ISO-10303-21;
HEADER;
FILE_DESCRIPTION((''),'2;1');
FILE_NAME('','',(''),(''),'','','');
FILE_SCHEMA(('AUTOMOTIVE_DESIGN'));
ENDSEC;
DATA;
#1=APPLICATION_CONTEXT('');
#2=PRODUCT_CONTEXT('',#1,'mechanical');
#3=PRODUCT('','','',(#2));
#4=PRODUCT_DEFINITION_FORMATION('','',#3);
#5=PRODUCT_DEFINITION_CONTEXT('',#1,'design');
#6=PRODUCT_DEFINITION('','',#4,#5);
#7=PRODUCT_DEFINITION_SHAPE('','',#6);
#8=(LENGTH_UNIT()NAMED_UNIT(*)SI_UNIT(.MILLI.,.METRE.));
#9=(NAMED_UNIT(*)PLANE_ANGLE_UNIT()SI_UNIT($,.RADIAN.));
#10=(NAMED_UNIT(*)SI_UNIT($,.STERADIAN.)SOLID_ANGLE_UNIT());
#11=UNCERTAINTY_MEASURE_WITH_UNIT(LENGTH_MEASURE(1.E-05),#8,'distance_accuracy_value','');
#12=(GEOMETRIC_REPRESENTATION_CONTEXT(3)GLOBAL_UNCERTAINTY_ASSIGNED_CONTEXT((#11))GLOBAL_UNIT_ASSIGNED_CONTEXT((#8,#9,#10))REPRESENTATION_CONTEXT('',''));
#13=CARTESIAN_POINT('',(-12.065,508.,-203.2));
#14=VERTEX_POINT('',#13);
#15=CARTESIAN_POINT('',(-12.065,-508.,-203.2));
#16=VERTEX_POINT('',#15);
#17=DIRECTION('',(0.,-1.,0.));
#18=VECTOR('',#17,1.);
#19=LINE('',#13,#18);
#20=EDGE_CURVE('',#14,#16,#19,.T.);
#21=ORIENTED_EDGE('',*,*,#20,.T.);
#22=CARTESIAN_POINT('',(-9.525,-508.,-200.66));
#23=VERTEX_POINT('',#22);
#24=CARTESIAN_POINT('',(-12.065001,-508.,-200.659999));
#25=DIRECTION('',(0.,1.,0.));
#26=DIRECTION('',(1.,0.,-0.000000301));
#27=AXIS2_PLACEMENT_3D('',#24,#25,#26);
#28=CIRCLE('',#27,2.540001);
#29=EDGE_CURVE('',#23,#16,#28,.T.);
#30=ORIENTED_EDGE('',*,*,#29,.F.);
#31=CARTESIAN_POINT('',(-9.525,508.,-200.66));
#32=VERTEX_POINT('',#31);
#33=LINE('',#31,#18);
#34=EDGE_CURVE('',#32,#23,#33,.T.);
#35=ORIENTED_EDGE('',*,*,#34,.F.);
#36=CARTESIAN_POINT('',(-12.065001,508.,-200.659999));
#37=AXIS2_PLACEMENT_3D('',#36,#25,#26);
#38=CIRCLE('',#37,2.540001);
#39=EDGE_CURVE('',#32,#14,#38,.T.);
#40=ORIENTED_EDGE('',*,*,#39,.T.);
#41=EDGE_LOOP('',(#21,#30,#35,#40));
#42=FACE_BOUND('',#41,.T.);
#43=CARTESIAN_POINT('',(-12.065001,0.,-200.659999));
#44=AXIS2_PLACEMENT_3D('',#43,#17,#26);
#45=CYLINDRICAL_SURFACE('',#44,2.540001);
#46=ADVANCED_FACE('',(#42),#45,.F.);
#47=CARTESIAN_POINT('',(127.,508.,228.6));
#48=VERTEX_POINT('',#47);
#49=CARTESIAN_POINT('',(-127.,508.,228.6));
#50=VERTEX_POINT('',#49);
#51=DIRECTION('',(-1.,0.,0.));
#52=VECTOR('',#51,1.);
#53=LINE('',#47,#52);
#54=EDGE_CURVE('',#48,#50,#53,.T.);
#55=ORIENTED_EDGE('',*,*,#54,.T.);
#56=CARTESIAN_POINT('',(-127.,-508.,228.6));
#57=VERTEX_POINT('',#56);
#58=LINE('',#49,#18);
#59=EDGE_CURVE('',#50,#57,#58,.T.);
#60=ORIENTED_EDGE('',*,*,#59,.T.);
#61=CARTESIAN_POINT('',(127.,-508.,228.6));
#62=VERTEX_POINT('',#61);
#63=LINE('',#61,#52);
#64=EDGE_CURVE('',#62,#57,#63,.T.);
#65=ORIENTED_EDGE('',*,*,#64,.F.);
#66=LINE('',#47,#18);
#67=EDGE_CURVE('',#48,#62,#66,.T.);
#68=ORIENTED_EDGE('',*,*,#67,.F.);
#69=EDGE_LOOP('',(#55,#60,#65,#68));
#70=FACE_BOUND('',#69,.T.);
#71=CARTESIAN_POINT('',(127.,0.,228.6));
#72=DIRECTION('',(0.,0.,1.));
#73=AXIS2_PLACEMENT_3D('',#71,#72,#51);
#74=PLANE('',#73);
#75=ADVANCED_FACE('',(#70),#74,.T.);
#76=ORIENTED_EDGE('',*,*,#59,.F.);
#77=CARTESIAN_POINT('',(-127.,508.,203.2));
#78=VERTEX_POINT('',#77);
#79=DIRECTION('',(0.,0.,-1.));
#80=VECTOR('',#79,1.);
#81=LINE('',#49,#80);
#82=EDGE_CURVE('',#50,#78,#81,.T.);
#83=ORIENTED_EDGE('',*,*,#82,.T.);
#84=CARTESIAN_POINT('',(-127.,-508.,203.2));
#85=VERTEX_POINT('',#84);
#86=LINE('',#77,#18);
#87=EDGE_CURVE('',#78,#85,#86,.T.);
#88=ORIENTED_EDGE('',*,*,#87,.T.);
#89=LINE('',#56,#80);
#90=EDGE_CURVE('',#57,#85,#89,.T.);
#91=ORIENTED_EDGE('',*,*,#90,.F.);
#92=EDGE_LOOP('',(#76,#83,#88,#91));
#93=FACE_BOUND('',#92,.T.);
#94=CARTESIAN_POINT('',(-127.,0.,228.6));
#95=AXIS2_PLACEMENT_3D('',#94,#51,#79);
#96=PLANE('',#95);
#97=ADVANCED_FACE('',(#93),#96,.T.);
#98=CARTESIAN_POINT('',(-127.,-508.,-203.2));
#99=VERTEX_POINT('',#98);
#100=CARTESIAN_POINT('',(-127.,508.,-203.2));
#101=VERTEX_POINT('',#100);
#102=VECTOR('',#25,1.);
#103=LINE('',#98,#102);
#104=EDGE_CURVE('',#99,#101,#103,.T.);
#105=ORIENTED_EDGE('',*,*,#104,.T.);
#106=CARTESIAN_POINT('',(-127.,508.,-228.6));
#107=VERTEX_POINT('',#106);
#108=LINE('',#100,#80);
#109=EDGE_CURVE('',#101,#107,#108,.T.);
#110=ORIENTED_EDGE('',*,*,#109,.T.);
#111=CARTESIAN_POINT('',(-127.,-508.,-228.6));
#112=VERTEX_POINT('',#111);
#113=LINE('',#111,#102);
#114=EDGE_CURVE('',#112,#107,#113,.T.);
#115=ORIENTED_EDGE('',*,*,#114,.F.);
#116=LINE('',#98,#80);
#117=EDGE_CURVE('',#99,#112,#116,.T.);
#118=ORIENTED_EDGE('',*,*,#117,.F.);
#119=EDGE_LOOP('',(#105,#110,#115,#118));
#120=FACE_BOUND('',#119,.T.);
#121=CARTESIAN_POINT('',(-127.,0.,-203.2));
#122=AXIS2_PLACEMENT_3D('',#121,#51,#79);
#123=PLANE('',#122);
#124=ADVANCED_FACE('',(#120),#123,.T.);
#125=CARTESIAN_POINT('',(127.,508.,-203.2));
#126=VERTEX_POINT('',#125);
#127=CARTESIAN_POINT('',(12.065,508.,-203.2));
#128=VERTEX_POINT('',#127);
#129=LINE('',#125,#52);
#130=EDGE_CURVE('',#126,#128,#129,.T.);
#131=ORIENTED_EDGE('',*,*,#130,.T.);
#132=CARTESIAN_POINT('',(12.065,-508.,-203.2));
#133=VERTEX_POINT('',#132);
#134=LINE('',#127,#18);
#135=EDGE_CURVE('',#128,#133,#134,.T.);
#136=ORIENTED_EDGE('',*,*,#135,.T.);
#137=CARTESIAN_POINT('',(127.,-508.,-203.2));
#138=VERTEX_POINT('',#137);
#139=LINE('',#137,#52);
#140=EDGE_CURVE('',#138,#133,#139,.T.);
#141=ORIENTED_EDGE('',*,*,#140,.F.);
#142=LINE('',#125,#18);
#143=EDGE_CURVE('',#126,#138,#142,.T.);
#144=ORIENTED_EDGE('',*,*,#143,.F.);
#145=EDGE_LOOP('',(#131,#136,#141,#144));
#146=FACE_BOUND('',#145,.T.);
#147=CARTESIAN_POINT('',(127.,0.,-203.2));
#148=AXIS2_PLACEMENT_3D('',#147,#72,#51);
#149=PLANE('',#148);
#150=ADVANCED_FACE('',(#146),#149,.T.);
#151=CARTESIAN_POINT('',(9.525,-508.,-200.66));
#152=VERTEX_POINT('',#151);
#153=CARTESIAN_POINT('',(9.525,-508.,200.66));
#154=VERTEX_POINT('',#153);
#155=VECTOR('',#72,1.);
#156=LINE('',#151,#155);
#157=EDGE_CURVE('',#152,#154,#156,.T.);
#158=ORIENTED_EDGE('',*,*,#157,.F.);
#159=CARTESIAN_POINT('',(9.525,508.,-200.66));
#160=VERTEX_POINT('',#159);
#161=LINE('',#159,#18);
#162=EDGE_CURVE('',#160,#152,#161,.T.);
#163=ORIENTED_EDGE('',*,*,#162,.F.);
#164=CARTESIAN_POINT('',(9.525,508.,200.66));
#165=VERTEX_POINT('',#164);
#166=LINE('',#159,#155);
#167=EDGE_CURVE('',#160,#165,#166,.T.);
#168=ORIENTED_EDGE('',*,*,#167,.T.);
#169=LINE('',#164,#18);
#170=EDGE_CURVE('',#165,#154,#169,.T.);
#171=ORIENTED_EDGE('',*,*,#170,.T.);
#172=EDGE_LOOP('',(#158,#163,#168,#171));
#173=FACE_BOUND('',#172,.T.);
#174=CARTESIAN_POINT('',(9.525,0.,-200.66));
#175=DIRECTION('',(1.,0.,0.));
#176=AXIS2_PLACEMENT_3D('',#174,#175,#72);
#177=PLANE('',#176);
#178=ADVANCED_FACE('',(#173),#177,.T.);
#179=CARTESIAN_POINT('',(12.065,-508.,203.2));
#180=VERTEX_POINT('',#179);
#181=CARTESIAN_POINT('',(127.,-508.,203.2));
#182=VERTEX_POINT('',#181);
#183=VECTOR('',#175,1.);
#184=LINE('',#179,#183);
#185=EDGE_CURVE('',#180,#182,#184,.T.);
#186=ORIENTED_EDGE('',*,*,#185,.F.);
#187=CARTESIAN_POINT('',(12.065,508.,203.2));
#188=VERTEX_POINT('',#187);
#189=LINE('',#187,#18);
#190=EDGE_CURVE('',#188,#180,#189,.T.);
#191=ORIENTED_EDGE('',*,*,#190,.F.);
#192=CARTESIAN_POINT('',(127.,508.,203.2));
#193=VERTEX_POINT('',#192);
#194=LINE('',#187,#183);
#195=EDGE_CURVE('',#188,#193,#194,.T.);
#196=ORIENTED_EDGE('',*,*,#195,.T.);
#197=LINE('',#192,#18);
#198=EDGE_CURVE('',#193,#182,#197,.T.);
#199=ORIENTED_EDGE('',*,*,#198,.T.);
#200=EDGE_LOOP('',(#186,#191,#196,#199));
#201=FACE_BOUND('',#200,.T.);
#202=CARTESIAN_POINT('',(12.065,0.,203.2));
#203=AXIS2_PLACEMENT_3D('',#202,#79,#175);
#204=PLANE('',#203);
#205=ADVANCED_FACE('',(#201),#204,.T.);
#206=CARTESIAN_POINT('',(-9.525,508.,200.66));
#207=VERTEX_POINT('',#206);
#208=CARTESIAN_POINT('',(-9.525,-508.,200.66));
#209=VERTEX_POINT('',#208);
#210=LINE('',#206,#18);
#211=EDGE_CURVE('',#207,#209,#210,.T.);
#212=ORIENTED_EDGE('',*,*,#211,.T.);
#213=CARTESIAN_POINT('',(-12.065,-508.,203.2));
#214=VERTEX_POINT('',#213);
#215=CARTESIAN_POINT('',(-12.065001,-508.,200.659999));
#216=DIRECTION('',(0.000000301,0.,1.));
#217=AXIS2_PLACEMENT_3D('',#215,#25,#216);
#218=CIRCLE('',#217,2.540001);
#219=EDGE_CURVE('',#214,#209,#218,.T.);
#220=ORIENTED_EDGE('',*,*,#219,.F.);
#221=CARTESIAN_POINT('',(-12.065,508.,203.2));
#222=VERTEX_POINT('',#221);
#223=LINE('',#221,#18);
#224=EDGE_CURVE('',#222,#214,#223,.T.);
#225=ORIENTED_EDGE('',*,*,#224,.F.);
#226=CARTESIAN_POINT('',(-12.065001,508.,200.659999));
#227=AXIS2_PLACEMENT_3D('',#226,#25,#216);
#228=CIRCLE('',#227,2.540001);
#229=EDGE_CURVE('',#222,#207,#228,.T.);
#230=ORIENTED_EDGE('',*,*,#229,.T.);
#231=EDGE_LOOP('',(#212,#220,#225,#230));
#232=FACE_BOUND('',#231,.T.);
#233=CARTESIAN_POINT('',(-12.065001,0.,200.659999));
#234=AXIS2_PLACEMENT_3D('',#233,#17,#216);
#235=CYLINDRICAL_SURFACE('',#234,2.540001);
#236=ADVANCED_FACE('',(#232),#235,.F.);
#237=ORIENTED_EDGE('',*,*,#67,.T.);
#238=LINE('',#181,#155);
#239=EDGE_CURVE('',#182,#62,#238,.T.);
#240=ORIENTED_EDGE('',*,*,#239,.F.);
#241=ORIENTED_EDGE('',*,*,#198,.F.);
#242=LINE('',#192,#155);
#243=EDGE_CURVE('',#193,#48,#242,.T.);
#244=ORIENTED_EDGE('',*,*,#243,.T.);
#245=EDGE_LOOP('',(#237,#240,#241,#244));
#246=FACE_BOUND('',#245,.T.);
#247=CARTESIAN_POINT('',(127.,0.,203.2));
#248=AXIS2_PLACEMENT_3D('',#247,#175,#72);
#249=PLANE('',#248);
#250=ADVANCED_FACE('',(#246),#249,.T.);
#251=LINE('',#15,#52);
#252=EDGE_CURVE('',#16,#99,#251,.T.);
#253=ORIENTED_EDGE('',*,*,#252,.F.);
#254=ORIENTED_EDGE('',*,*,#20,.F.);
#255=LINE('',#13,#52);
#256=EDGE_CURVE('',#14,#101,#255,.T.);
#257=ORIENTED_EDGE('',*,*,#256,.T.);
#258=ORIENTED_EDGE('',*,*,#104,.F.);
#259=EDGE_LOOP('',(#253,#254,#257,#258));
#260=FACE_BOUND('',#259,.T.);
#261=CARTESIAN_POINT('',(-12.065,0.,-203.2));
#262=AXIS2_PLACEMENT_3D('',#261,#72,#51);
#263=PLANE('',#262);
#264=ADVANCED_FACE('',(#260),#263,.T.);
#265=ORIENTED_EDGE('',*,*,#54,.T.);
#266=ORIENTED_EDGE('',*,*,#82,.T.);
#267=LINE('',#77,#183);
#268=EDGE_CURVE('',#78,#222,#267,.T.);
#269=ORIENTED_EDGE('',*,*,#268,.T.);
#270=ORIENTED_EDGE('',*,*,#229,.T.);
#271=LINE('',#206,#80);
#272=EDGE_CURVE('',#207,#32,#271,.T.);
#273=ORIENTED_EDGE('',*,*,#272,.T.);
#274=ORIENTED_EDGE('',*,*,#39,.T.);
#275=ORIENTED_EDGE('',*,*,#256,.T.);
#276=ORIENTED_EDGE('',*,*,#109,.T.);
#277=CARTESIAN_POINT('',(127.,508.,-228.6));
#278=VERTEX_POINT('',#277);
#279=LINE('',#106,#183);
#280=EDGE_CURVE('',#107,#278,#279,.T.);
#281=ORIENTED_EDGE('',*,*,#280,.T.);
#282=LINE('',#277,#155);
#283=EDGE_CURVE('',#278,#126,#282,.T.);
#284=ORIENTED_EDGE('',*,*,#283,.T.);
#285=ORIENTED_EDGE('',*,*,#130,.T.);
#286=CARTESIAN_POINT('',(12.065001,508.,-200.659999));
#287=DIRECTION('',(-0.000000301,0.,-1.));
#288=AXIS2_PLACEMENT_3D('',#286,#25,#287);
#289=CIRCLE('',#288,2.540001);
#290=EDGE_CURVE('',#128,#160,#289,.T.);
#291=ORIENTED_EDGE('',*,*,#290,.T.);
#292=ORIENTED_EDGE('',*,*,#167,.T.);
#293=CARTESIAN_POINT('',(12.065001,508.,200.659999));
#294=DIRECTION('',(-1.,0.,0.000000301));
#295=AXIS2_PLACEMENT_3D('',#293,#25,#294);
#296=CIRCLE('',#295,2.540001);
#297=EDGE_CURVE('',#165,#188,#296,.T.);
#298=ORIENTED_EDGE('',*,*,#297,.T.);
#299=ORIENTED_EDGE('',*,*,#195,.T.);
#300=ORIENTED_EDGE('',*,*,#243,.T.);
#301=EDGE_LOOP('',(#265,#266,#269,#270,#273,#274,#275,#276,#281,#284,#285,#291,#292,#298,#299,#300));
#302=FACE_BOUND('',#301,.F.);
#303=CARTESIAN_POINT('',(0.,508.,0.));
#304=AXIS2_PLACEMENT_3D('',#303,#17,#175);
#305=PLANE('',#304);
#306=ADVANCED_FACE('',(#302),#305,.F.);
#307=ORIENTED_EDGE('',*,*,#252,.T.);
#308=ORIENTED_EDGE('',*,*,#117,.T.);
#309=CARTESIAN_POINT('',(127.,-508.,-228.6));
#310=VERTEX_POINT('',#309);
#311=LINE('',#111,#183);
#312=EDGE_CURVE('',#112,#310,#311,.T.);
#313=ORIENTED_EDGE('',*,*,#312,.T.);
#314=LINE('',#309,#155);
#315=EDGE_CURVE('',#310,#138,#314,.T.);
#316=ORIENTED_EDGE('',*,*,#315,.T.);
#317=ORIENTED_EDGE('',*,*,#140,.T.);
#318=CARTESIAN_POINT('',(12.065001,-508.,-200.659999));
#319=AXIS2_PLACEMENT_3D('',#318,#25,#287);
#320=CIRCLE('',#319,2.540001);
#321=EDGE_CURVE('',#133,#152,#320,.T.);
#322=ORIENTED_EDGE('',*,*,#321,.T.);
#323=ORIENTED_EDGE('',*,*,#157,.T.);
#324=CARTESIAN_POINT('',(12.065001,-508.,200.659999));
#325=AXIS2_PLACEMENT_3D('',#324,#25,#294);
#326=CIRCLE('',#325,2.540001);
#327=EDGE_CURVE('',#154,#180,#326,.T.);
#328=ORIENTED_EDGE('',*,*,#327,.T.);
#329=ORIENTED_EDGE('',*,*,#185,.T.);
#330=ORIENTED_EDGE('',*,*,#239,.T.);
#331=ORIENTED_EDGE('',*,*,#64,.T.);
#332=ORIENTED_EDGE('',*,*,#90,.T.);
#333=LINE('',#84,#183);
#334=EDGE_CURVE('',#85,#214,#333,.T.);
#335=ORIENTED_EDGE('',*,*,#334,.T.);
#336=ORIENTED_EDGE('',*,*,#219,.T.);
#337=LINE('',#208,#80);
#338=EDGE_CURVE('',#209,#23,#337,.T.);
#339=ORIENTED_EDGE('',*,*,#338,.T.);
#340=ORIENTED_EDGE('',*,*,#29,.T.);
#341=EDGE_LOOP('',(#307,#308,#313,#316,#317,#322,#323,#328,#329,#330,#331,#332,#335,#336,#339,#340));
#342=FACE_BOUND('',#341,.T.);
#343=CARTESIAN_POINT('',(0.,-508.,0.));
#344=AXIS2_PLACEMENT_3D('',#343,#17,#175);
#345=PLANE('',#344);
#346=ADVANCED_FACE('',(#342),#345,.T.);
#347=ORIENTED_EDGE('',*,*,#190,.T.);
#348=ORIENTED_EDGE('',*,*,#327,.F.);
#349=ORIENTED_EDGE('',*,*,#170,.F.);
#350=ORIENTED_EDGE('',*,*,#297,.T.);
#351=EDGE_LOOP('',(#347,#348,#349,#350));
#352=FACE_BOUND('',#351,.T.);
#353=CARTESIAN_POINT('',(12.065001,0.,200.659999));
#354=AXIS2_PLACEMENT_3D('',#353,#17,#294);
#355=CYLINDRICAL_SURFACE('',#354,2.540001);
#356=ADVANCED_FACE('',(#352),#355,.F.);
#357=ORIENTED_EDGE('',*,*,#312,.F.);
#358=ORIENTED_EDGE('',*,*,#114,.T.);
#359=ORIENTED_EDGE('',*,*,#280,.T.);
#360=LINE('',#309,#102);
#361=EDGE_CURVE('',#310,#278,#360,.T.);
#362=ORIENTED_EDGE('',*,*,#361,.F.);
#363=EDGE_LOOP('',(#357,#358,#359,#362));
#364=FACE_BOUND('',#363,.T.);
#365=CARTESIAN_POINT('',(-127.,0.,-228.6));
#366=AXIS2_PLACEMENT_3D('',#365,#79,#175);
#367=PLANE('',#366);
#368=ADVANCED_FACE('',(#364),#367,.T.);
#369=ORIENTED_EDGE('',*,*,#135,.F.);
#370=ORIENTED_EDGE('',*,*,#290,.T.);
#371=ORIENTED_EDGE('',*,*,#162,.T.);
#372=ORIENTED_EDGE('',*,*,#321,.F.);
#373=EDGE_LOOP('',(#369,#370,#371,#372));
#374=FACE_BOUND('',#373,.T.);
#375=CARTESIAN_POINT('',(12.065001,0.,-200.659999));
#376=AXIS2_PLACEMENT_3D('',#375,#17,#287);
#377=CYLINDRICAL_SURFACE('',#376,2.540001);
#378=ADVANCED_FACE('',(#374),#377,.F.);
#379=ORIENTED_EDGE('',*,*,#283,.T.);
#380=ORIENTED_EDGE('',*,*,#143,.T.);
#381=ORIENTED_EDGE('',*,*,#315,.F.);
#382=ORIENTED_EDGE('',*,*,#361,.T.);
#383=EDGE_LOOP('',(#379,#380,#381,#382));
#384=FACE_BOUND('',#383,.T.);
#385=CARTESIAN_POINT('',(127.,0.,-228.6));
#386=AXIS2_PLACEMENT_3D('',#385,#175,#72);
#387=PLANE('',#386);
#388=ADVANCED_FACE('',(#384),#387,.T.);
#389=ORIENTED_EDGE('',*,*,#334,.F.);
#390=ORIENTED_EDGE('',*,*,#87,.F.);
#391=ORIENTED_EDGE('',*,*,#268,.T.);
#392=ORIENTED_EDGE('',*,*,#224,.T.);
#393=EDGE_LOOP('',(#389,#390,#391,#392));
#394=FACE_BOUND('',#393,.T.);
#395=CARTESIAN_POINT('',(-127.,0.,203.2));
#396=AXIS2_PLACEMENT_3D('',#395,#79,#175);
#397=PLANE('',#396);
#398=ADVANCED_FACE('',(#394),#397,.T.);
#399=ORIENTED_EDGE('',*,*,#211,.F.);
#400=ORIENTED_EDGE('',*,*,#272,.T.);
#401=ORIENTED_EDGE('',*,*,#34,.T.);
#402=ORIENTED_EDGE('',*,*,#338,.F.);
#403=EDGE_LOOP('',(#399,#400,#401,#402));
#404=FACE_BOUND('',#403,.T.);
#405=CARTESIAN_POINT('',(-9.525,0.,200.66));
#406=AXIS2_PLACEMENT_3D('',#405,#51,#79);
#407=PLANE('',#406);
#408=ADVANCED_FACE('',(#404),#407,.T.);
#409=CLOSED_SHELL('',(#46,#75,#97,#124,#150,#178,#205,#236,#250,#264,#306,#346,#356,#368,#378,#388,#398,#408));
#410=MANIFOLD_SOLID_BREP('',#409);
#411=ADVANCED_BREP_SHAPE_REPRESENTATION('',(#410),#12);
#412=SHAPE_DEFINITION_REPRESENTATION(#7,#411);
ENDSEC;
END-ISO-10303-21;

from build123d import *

# Parameters (mm, degrees)
F1_DEPTH = 508


with BuildPart() as f1:
    # F0 (on Front) → F1 (new body, symmetric)
    with BuildSketch(Plane.XZ):
        with BuildLine():
            Line((127, -228.6), (127, -203.2))
            Line((127, -203.2), (12.065, -203.2))
            ThreePointArc((12.065, -203.2), (10.268949, -202.456051), (9.525, -200.66))
            Line((9.525, -200.66), (9.525, 200.66))
            ThreePointArc((9.525, 200.66), (10.268949, 202.456051), (12.065, 203.2))
            Line((12.065, 203.2), (127, 203.2))
            Line((127, 203.2), (127, 228.6))
            Line((127, 228.6), (-127, 228.6))
            Line((-127, 228.6), (-127, 203.2))
            Line((-127, 203.2), (-12.065, 203.2))
            ThreePointArc((-12.065, 203.2), (-10.268949, 202.456051), (-9.525, 200.66))
            Line((-9.525, 200.66), (-9.525, -200.66))
            ThreePointArc((-9.525, -200.66), (-10.268949, -202.456051), (-12.065, -203.2))
            Line((-12.065, -203.2), (-127, -203.2))
            Line((-127, -203.2), (-127, -228.6))
            Line((-127, -228.6), (127, -228.6))
        make_face()
    extrude(amount=F1_DEPTH, both=True)


solid = f1.part
